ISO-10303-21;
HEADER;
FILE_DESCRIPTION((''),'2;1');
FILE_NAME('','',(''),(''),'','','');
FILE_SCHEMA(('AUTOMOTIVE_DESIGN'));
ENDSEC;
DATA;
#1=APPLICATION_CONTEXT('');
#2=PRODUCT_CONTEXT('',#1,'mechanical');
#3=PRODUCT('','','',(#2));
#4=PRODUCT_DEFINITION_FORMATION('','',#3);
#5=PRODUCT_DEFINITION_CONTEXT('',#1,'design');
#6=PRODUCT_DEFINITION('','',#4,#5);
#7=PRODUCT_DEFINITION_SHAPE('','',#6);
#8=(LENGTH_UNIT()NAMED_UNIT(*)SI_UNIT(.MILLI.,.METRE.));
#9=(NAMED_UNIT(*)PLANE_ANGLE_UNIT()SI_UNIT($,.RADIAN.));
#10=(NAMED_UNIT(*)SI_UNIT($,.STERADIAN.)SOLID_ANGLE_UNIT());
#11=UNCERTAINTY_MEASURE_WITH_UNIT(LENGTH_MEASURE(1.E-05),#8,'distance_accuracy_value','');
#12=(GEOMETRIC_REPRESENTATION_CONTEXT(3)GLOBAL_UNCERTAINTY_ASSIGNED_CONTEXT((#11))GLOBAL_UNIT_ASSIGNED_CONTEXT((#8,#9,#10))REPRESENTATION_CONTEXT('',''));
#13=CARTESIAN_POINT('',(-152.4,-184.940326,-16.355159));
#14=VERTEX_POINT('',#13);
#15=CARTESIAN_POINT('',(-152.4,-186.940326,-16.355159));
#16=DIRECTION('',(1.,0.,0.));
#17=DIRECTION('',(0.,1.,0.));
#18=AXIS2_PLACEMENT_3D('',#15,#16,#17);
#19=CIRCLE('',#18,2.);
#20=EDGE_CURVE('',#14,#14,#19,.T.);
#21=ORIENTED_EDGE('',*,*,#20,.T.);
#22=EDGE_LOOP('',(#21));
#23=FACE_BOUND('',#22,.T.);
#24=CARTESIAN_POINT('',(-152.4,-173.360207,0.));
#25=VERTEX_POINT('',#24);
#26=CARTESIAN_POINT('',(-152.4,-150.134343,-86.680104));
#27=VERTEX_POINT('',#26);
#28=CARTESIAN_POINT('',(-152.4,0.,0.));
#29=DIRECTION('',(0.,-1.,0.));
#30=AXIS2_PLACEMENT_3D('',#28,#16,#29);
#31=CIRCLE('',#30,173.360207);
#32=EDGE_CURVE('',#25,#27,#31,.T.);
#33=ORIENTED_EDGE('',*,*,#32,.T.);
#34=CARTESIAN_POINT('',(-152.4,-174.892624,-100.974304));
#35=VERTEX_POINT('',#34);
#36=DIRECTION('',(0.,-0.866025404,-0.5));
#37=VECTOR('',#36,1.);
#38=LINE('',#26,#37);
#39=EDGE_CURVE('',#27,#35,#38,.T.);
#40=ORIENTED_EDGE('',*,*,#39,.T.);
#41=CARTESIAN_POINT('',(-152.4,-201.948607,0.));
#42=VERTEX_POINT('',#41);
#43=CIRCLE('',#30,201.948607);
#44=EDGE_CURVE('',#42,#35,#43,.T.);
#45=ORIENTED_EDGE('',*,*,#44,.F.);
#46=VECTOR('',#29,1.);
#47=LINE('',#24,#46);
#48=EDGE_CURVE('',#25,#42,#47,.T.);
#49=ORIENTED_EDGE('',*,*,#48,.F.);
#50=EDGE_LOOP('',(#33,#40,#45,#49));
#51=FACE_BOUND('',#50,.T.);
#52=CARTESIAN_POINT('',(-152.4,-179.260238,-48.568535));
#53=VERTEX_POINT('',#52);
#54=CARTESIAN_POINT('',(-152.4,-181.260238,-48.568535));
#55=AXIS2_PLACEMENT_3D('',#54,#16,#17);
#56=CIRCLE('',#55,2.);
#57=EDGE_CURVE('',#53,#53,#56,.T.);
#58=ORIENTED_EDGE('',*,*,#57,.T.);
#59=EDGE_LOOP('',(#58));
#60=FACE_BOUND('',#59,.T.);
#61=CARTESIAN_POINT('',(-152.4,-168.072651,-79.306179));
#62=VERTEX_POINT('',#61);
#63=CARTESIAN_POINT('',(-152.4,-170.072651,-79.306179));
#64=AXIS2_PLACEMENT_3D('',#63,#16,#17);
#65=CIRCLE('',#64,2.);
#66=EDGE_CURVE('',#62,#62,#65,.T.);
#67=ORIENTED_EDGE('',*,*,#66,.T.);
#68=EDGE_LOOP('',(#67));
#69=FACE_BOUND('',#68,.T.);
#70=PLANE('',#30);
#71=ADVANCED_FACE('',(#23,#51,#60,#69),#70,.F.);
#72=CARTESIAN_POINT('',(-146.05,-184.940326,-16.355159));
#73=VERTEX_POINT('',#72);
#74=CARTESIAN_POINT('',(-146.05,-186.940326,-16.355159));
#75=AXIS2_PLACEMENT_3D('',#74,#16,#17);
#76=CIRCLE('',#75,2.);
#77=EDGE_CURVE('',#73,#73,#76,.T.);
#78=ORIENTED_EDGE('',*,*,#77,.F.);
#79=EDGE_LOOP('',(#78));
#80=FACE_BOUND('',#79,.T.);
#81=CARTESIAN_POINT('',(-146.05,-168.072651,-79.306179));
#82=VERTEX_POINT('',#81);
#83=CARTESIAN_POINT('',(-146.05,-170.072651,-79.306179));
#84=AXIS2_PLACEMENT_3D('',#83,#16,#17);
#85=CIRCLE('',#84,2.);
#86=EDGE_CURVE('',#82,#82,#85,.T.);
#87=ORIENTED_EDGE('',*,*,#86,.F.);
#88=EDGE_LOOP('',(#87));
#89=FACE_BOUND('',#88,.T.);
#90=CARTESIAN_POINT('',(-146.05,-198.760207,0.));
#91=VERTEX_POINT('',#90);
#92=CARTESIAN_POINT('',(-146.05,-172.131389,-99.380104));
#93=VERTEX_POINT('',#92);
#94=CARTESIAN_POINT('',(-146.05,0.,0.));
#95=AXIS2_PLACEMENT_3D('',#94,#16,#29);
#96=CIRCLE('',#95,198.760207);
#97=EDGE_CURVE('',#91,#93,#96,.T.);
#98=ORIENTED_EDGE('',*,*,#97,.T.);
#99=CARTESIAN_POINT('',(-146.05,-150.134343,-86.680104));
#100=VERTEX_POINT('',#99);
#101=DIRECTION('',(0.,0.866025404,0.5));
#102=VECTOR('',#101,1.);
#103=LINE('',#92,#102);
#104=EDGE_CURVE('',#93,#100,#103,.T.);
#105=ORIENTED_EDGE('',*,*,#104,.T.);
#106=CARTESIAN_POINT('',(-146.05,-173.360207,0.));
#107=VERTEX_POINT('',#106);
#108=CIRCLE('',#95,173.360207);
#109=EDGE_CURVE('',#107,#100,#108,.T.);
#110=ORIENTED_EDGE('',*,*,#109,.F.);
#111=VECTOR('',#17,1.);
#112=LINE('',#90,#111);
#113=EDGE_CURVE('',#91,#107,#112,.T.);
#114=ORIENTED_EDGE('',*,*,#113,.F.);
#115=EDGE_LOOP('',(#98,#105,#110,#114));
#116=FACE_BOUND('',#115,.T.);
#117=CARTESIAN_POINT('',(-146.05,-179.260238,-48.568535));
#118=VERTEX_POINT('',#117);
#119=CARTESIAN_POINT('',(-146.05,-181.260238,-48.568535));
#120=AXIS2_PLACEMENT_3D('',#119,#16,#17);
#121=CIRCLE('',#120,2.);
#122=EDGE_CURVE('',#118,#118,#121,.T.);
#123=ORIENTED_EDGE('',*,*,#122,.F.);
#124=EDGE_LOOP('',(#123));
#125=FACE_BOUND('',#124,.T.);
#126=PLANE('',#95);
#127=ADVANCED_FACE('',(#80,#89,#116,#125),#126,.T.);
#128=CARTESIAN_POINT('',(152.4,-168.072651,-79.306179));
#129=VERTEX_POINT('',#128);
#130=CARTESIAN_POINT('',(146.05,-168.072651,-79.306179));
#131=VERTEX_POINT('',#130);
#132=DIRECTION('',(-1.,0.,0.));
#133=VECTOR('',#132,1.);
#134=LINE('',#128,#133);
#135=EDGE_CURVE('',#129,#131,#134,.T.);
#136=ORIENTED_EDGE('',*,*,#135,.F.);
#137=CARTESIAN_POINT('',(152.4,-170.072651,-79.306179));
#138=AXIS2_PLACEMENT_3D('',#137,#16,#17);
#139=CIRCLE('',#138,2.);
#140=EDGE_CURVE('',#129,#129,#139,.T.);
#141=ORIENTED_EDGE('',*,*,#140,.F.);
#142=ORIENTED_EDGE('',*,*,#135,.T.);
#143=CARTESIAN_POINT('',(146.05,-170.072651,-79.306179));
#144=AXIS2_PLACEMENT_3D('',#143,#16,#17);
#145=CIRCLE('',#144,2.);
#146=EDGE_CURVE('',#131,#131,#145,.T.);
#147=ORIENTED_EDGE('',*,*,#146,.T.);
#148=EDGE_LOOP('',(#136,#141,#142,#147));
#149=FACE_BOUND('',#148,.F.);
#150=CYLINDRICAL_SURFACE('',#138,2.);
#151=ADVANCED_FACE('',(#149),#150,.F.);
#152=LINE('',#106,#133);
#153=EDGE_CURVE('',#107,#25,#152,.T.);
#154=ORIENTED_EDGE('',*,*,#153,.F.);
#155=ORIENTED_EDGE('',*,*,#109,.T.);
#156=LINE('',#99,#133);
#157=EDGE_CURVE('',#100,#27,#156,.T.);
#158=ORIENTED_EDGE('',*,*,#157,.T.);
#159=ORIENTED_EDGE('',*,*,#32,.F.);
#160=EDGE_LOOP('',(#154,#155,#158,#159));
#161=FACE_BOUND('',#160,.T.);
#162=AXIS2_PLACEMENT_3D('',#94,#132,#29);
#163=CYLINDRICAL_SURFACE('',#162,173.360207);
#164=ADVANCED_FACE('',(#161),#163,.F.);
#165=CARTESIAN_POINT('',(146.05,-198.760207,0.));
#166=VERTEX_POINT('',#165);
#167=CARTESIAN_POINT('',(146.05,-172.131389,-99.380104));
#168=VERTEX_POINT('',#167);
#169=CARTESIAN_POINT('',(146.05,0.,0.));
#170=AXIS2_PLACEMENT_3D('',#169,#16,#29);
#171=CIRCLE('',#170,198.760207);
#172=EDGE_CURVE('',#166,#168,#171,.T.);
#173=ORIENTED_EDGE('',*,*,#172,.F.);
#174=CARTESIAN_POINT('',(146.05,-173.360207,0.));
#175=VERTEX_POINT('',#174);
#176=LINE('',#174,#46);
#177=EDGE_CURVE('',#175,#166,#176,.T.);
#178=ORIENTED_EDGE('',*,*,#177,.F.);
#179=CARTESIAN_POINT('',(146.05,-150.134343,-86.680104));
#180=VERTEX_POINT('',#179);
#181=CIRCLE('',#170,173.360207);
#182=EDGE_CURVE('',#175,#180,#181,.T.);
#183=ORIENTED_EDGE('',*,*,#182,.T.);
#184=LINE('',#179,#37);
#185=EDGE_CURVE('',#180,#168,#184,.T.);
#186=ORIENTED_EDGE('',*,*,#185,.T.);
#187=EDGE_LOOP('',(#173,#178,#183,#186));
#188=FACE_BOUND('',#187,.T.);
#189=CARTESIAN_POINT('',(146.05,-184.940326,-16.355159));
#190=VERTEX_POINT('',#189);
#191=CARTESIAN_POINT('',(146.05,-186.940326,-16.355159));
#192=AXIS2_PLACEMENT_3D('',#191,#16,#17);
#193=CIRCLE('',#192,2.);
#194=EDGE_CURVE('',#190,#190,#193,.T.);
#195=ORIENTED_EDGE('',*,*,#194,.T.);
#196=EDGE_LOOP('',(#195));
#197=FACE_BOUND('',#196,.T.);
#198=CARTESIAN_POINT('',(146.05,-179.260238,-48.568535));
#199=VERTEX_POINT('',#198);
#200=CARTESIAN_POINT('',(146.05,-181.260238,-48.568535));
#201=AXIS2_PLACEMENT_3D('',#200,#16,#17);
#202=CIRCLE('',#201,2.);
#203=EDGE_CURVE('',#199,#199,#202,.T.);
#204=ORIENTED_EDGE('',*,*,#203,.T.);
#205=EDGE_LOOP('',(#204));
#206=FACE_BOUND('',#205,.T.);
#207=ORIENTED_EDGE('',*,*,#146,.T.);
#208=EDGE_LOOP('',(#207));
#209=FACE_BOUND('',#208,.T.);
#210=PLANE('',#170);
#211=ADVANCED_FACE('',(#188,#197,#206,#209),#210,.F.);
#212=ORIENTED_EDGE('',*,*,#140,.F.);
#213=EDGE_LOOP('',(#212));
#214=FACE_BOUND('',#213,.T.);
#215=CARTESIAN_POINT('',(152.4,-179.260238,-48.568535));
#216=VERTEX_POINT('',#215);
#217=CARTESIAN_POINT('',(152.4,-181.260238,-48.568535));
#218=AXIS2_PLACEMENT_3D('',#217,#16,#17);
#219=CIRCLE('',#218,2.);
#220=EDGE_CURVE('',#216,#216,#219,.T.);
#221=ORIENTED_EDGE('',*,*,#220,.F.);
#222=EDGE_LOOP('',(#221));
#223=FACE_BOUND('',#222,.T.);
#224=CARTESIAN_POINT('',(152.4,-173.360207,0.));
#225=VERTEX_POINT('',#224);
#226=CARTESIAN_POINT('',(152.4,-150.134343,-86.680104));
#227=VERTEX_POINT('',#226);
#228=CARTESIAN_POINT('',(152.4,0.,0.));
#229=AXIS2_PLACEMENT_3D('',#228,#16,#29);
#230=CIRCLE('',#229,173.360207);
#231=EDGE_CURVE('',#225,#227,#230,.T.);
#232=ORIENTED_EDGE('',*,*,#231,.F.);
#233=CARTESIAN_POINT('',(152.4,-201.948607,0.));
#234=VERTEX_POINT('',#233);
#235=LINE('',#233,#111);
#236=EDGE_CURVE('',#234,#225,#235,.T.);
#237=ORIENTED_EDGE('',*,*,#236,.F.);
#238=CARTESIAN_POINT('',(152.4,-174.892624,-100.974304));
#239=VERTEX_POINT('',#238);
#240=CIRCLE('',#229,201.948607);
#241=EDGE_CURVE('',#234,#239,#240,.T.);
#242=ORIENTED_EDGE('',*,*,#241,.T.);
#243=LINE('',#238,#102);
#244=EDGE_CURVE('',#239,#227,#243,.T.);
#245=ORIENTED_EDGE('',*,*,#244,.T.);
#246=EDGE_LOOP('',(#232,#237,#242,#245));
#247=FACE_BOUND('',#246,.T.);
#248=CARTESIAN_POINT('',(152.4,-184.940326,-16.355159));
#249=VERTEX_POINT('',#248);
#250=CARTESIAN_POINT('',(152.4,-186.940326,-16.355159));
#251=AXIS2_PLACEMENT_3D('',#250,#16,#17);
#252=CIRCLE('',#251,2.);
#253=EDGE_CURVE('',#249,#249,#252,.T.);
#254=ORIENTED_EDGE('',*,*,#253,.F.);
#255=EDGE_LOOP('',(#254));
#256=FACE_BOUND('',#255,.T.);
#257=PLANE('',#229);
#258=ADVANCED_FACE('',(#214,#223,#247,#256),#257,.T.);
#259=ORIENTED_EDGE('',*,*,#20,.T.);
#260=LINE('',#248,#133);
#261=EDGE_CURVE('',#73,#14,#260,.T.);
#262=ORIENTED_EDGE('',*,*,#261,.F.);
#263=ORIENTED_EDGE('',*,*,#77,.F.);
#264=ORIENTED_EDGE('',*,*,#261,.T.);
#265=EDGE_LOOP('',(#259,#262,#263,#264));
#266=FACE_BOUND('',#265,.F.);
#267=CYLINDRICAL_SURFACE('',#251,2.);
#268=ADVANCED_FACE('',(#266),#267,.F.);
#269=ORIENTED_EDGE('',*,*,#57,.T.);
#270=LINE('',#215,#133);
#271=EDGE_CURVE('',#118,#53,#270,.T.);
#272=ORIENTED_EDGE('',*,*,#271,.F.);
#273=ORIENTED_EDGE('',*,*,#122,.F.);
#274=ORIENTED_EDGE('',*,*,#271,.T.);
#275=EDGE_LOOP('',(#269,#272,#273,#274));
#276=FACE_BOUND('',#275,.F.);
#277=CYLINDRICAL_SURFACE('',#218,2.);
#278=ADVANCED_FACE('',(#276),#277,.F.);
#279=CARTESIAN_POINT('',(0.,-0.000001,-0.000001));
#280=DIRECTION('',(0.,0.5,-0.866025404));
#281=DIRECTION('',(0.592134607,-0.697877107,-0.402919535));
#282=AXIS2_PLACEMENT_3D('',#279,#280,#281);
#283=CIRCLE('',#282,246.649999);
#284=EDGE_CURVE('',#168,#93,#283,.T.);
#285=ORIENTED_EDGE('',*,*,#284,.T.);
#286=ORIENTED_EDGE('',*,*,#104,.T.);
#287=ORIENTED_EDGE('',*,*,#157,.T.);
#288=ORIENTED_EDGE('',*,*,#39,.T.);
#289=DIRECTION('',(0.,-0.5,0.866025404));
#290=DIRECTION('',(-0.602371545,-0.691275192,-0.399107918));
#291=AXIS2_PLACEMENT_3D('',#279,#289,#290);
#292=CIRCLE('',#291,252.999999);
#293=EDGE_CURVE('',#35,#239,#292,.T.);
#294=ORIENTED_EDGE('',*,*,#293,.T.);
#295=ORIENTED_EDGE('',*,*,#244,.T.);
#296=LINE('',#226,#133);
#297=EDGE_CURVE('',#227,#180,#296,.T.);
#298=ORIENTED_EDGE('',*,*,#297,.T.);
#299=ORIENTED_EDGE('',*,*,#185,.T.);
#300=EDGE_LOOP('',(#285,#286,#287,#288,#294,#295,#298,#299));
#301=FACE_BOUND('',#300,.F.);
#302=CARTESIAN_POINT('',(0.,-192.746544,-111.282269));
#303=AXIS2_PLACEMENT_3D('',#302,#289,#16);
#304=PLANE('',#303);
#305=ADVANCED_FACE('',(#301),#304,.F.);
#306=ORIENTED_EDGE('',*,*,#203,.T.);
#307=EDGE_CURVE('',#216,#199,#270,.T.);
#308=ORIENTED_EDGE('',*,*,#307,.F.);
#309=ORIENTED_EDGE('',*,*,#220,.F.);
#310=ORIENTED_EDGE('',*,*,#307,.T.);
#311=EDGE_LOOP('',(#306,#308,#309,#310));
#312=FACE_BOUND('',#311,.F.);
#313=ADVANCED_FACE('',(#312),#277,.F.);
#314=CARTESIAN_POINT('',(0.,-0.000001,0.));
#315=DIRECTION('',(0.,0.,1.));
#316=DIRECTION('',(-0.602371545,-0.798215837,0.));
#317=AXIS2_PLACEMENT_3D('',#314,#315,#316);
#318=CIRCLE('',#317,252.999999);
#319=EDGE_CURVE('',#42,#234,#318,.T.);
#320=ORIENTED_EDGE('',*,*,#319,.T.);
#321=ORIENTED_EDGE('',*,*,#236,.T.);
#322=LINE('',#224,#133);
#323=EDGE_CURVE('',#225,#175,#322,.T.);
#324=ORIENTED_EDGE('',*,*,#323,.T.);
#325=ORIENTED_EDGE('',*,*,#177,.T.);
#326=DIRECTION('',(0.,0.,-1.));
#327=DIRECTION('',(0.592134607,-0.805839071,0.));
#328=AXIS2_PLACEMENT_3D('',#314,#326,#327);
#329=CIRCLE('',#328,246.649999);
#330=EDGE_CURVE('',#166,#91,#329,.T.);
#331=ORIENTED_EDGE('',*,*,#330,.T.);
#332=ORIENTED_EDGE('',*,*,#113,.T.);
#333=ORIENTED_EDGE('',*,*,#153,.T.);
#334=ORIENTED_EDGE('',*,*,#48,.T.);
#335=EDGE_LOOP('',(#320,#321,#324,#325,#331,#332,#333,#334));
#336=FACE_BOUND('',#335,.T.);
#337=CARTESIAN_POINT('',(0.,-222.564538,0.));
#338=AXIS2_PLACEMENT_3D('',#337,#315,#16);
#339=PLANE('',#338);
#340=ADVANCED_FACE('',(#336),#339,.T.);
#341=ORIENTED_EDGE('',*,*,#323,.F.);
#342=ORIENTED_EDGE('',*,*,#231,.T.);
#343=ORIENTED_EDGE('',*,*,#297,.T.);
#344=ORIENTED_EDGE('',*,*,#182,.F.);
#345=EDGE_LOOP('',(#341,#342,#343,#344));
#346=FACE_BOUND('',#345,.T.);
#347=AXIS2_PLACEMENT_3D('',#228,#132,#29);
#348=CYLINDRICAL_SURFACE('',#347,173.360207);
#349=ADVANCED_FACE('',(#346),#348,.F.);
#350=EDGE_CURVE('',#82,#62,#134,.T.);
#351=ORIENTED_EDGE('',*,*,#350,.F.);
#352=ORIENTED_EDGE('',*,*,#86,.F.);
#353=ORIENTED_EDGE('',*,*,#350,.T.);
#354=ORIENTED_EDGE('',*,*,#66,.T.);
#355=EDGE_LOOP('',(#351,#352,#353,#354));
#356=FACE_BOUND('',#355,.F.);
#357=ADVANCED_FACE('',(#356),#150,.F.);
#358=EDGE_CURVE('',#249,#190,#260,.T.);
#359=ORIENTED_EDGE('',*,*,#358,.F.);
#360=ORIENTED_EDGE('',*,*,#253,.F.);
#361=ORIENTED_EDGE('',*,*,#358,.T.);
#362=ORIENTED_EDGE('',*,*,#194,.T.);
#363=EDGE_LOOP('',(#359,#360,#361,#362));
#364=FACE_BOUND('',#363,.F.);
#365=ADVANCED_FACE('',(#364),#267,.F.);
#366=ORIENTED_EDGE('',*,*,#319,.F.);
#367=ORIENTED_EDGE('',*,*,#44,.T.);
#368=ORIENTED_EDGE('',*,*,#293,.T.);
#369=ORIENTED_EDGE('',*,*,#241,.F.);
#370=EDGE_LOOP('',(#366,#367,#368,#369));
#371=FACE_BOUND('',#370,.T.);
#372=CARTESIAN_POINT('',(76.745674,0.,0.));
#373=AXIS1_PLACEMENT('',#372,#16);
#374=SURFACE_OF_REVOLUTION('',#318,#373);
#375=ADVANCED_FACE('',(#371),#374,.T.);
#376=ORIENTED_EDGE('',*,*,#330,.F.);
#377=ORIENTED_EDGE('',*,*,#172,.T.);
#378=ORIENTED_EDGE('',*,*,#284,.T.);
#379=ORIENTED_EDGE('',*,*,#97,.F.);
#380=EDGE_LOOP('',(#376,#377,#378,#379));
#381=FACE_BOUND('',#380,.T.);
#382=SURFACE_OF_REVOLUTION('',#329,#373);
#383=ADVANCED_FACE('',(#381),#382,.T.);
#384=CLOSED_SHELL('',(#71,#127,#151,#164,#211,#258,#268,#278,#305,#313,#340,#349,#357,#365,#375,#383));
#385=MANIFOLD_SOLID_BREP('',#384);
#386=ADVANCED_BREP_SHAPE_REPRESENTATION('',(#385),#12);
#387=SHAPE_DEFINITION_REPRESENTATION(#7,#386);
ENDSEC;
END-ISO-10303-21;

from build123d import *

# Parameters (mm, degrees)
F1_ANGLE = 30
F2_R     = 2
F3_DEPTH = 304.801


with BuildPart() as f1:
    # F0 (on Top) → F1 (revolve)
    with BuildSketch(Plane.XY):
        with BuildLine():
            Line((-152.4, -173.360207), (-152.4, -201.948607))
            ThreePointArc((-152.4, -201.948607), (0, -253), (152.4, -201.948607))
            Line((152.4, -201.948607), (152.4, -173.360207))
            Line((152.4, -173.360207), (146.05, -173.360207))
            Line((146.05, -173.360207), (146.05, -198.760207))
            ThreePointArc((146.05, -198.760207), (0, -246.65), (-146.05, -198.760207))
            Line((-146.05, -198.760207), (-146.05, -173.360207))
            Line((-146.05, -173.360207), (-152.4, -173.360207))
        make_face()
    revolve(axis=Axis((76.745674, 0, 0), (1, 0, 0)), revolution_arc=F1_ANGLE)

    # F2 (on face) → F3 (cut, through all)
    with BuildSketch(Plane.YZ.offset(152.4)):
        with Locations((-16.355159, 186.940326)):
            Circle(F2_R)
        with Locations((-48.568535, 181.260238)):
            Circle(F2_R)
        with Locations((-79.306179, 170.072651)):
            Circle(F2_R)
        with Locations((-107.634146, 153.717491)):
            Circle(F2_R)
        with Locations((-132.691704, 132.691704)):
            Circle(F2_R)
        with Locations((-153.717491, 107.634146)):
            Circle(F2_R)
        with Locations((-170.072651, 79.306179)):
            Circle(F2_R)
        with Locations((-181.260238, 48.568535)):
            Circle(F2_R)
        with Locations((-186.940326, 16.355159)):
            Circle(F2_R)
        with Locations((-186.940326, -16.355159)):
            Circle(F2_R)
        with Locations((-181.260238, -48.568535)):
            Circle(F2_R)
        with Locations((-170.072651, -79.306179)):
            Circle(F2_R)
        with Locations((-153.717491, -107.634146)):
            Circle(F2_R)
        with Locations((-132.691704, -132.691704)):
            Circle(F2_R)
        with Locations((-107.634146, -153.717491)):
            Circle(F2_R)
        with Locations((-79.306179, -170.072651)):
            Circle(F2_R)
        with Locations((-48.568535, -181.260238)):
            Circle(F2_R)
        with Locations((-16.355159, -186.940326)):
            Circle(F2_R)
        with Locations((16.355159, -186.940326)):
            Circle(F2_R)
        with Locations((48.568535, -181.260238)):
            Circle(F2_R)
        with Locations((79.306179, -170.072651)):
            Circle(F2_R)
        with Locations((107.634146, -153.717491)):
            Circle(F2_R)
        with Locations((132.691704, -132.691704)):
            Circle(F2_R)
        with Locations((153.717491, -107.634146)):
            Circle(F2_R)
        with Locations((170.072651, -79.306179)):
            Circle(F2_R)
        with Locations((181.260238, -48.568535)):
            Circle(F2_R)
        with Locations((186.940326, -16.355159)):
            Circle(F2_R)
        with Locations((186.940326, 16.355159)):
            Circle(F2_R)
        with Locations((181.260238, 48.568535)):
            Circle(F2_R)
        with Locations((170.072651, 79.306179)):
            Circle(F2_R)
        with Locations((153.717491, 107.634146)):
            Circle(F2_R)
        with Locations((132.691704, 132.691704)):
            Circle(F2_R)
        with Locations((107.634146, 153.717491)):
            Circle(F2_R)
        with Locations((79.306179, 170.072651)):
            Circle(F2_R)
        with Locations((48.568535, 181.260238)):
            Circle(F2_R)
        with Locations((16.355159, 186.940326)):
            Circle(F2_R)
    extrude(amount=-F3_DEPTH, mode=Mode.SUBTRACT)


solid = f1.part
